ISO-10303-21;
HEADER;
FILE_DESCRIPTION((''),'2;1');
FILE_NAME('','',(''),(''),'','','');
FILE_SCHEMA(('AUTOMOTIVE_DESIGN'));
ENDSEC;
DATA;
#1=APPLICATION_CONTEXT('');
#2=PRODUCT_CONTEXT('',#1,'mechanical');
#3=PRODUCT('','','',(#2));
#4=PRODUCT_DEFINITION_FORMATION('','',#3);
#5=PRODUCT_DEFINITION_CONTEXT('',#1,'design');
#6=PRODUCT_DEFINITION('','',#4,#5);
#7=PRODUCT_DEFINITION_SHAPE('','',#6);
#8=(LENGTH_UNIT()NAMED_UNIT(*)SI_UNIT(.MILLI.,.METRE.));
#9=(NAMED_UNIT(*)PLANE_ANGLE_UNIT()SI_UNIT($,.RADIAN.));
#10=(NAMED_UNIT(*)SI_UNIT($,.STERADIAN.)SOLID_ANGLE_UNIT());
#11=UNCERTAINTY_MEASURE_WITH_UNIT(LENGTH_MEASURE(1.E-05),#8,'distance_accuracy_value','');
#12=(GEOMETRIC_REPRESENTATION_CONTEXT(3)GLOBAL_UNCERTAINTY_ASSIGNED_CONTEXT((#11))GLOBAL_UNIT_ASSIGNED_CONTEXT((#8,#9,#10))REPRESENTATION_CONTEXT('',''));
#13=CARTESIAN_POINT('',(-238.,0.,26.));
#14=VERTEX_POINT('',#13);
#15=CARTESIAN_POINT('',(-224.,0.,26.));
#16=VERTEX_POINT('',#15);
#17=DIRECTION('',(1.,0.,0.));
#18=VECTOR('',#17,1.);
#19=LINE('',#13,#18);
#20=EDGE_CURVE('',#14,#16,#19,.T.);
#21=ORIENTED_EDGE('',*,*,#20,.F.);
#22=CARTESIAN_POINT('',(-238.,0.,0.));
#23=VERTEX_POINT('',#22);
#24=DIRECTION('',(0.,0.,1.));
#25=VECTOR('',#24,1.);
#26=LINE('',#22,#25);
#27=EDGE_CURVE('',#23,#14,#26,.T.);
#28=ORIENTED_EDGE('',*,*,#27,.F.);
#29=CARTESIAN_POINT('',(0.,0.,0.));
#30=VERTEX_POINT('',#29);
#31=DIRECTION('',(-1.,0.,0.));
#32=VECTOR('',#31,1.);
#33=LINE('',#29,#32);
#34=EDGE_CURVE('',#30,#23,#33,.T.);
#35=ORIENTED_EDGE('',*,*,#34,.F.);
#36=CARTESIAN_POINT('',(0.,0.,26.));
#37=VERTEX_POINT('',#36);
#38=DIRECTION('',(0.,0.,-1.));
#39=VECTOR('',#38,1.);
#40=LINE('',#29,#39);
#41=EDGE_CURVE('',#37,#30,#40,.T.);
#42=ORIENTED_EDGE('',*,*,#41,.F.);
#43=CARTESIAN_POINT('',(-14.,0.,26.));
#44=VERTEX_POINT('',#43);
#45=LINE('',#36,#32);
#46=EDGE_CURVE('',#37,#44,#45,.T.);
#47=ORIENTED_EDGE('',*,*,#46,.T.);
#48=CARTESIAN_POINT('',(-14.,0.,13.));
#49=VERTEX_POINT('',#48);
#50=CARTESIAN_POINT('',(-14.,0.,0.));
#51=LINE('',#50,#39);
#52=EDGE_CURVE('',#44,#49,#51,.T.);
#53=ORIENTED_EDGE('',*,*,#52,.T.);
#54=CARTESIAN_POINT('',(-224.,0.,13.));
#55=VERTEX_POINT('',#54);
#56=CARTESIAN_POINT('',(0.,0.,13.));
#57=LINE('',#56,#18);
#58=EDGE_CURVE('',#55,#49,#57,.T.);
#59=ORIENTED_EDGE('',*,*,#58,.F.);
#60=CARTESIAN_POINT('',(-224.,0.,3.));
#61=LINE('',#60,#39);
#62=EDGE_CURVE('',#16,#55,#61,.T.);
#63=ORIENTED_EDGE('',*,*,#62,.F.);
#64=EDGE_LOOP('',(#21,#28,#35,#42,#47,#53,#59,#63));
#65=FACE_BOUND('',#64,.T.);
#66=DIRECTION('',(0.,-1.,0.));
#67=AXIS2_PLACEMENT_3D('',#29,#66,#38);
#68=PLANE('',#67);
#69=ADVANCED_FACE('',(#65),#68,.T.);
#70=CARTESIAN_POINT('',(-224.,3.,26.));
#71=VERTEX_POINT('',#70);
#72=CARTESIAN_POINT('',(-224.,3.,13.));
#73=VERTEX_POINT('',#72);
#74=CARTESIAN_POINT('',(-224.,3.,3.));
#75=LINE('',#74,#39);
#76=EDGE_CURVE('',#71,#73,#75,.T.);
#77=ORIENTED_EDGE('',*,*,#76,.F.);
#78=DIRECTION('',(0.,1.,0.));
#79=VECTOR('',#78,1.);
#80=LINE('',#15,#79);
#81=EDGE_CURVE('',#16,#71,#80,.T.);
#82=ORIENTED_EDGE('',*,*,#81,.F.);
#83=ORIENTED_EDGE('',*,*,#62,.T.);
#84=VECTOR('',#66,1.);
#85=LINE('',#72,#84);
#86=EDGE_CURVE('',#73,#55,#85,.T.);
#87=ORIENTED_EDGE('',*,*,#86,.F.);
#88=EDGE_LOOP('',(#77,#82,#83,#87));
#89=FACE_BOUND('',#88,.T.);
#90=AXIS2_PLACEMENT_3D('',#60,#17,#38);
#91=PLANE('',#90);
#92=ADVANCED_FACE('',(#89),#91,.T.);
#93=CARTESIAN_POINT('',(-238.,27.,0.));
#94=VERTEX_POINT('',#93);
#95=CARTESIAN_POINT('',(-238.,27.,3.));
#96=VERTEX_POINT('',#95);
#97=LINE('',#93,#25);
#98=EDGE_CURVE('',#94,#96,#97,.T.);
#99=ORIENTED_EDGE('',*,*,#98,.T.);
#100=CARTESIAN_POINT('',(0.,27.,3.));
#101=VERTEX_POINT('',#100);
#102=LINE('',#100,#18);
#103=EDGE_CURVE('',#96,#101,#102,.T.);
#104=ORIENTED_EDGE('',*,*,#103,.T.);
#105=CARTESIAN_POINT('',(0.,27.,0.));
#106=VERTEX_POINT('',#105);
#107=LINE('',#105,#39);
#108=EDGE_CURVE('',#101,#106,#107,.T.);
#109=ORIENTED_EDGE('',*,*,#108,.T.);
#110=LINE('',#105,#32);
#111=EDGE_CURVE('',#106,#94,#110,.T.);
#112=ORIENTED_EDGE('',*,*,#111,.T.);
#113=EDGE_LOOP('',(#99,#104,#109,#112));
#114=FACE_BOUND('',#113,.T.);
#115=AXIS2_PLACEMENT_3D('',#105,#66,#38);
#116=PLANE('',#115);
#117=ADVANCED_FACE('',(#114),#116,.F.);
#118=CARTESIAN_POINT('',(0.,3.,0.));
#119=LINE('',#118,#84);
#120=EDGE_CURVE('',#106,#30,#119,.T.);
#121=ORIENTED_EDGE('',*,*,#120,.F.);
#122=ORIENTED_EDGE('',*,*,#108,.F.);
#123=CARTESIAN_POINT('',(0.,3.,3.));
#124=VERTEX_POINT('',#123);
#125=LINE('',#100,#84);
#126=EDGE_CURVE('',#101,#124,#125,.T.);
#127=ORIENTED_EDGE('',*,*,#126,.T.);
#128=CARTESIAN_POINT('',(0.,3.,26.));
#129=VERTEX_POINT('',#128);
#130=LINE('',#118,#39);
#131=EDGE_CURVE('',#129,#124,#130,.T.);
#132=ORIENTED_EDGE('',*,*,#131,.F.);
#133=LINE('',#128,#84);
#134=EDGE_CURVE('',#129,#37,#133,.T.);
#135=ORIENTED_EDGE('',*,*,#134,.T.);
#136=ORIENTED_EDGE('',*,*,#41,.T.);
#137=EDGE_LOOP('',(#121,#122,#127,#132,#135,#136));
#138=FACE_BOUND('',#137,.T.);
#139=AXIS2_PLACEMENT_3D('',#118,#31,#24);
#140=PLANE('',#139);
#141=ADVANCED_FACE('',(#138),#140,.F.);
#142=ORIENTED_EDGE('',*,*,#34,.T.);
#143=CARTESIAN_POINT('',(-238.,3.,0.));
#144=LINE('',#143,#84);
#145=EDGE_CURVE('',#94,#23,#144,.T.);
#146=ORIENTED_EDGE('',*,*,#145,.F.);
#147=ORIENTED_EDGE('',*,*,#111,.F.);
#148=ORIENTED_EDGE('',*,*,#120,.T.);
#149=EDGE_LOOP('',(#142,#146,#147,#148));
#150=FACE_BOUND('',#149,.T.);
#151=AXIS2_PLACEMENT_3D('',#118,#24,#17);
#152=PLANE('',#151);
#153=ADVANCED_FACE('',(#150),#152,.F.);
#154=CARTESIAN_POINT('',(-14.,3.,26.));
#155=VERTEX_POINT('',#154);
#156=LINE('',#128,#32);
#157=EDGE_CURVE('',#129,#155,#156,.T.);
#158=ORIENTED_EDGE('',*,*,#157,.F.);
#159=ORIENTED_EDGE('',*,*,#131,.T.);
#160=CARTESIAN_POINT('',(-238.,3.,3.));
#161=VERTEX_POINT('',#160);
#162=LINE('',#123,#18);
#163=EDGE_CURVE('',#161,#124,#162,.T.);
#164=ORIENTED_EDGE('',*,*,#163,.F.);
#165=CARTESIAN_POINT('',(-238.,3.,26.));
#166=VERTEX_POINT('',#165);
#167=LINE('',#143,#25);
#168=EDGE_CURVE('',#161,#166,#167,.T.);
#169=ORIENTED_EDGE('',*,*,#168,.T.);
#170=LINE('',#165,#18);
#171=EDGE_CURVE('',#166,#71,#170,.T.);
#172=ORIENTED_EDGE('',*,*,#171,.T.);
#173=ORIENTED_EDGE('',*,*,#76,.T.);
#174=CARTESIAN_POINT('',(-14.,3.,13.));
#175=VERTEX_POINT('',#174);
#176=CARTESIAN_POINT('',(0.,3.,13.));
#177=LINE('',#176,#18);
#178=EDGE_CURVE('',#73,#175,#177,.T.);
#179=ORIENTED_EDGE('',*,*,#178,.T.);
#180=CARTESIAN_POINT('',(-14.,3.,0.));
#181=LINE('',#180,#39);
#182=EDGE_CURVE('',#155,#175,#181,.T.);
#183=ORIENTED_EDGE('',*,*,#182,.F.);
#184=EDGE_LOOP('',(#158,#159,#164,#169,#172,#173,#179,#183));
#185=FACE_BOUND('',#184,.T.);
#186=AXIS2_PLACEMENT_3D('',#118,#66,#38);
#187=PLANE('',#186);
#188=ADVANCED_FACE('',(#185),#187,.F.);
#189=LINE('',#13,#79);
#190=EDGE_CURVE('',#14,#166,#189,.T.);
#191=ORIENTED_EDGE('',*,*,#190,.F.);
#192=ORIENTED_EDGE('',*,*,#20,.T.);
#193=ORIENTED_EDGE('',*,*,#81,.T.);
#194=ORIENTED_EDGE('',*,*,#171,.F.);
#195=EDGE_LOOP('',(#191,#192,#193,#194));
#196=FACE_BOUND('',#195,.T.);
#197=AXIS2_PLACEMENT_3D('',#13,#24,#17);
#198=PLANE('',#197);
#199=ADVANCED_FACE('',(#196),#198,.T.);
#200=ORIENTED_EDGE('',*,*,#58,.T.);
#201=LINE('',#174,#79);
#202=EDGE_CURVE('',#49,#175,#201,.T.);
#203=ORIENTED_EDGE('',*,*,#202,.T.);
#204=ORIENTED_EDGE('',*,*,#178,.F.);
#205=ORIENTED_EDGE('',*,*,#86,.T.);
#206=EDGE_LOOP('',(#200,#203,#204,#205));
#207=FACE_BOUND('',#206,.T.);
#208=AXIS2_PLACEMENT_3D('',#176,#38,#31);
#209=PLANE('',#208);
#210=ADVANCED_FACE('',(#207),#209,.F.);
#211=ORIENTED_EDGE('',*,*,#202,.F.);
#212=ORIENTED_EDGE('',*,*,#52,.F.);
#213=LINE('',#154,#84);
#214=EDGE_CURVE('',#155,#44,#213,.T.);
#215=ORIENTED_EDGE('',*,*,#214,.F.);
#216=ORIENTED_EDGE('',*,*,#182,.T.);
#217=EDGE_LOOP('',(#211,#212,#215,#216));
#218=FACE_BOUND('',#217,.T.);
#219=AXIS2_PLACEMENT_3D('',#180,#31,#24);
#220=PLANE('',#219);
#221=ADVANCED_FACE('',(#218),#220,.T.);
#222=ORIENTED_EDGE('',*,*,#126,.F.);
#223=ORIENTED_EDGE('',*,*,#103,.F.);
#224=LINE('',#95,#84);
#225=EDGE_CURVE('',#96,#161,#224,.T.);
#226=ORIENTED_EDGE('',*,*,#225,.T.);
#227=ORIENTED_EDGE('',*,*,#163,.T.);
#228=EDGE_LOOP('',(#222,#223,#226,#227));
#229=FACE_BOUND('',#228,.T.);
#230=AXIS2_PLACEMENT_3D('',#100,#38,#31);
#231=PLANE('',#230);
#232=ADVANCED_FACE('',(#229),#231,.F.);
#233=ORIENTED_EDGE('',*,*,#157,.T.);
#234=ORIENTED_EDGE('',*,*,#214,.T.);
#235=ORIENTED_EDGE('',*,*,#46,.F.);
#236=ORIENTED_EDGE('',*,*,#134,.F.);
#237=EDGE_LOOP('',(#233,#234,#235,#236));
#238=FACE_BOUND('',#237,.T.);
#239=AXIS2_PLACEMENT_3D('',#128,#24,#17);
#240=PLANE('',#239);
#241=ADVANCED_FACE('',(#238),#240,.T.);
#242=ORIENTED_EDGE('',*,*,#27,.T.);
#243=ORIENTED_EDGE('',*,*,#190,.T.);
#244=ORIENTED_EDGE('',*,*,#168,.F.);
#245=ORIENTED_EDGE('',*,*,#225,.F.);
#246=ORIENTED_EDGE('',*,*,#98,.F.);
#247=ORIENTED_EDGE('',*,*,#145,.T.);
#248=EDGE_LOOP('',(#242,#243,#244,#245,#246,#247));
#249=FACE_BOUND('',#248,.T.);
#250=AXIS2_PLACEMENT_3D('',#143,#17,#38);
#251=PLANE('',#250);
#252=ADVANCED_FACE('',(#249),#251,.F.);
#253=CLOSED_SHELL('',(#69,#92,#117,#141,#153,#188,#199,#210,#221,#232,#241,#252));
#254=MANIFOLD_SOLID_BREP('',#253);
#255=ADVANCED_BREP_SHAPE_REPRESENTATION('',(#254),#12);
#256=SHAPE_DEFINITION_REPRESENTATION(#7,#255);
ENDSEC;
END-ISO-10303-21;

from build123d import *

# Parameters (mm, degrees)
SKETCH1_W           = 238
SKETCH1_H           = 13
BOSS_EXTRUDE1_DEPTH = 3
SKETCH2_W           = 238
SKETCH2_H           = 3
BOSS_EXTRUDE2_DEPTH = 24
SKETCH3_W           = 14
SKETCH3_H           = 26
BOSS_EXTRUDE3_DEPTH = 3
SKETCH5_W           = 14
SKETCH5_H           = 23
BOSS_EXTRUDE5_DEPTH = 3


with BuildPart() as part:
    # Sketch1 → Boss-Extrude1 (new body)
    with BuildSketch(Plane(origin=(0, 0, 0), x_dir=(1, 0, 0), z_dir=(0, 1, 0))):
        with Locations((-119, -6.5)):
            Rectangle(SKETCH1_W, SKETCH1_H)
    extrude(amount=BOSS_EXTRUDE1_DEPTH)

    # Sketch2 → Boss-Extrude2 (add)
    with BuildSketch(Plane(origin=(0, 3, 0), x_dir=(1, 0, 0), z_dir=(0, 1, 0))):
        with Locations((-119, -1.5)):
            Rectangle(SKETCH2_W, SKETCH2_H)
    extrude(amount=BOSS_EXTRUDE2_DEPTH)

    # Sketch3 → Boss-Extrude3 (add)
    with BuildSketch(Plane.XZ):
        with Locations((-7, 13)):
            Rectangle(SKETCH3_W, SKETCH3_H)
    extrude(amount=-BOSS_EXTRUDE3_DEPTH)

    # Sketch5 → Boss-Extrude5 (add)
    with BuildSketch(Plane(origin=(0, 3, 0), x_dir=(1, 0, 0), z_dir=(0, 1, 0))):
        with Locations((-231, -14.5)):
            Rectangle(SKETCH5_W, SKETCH5_H)
    extrude(amount=-BOSS_EXTRUDE5_DEPTH)


solid = part.part
